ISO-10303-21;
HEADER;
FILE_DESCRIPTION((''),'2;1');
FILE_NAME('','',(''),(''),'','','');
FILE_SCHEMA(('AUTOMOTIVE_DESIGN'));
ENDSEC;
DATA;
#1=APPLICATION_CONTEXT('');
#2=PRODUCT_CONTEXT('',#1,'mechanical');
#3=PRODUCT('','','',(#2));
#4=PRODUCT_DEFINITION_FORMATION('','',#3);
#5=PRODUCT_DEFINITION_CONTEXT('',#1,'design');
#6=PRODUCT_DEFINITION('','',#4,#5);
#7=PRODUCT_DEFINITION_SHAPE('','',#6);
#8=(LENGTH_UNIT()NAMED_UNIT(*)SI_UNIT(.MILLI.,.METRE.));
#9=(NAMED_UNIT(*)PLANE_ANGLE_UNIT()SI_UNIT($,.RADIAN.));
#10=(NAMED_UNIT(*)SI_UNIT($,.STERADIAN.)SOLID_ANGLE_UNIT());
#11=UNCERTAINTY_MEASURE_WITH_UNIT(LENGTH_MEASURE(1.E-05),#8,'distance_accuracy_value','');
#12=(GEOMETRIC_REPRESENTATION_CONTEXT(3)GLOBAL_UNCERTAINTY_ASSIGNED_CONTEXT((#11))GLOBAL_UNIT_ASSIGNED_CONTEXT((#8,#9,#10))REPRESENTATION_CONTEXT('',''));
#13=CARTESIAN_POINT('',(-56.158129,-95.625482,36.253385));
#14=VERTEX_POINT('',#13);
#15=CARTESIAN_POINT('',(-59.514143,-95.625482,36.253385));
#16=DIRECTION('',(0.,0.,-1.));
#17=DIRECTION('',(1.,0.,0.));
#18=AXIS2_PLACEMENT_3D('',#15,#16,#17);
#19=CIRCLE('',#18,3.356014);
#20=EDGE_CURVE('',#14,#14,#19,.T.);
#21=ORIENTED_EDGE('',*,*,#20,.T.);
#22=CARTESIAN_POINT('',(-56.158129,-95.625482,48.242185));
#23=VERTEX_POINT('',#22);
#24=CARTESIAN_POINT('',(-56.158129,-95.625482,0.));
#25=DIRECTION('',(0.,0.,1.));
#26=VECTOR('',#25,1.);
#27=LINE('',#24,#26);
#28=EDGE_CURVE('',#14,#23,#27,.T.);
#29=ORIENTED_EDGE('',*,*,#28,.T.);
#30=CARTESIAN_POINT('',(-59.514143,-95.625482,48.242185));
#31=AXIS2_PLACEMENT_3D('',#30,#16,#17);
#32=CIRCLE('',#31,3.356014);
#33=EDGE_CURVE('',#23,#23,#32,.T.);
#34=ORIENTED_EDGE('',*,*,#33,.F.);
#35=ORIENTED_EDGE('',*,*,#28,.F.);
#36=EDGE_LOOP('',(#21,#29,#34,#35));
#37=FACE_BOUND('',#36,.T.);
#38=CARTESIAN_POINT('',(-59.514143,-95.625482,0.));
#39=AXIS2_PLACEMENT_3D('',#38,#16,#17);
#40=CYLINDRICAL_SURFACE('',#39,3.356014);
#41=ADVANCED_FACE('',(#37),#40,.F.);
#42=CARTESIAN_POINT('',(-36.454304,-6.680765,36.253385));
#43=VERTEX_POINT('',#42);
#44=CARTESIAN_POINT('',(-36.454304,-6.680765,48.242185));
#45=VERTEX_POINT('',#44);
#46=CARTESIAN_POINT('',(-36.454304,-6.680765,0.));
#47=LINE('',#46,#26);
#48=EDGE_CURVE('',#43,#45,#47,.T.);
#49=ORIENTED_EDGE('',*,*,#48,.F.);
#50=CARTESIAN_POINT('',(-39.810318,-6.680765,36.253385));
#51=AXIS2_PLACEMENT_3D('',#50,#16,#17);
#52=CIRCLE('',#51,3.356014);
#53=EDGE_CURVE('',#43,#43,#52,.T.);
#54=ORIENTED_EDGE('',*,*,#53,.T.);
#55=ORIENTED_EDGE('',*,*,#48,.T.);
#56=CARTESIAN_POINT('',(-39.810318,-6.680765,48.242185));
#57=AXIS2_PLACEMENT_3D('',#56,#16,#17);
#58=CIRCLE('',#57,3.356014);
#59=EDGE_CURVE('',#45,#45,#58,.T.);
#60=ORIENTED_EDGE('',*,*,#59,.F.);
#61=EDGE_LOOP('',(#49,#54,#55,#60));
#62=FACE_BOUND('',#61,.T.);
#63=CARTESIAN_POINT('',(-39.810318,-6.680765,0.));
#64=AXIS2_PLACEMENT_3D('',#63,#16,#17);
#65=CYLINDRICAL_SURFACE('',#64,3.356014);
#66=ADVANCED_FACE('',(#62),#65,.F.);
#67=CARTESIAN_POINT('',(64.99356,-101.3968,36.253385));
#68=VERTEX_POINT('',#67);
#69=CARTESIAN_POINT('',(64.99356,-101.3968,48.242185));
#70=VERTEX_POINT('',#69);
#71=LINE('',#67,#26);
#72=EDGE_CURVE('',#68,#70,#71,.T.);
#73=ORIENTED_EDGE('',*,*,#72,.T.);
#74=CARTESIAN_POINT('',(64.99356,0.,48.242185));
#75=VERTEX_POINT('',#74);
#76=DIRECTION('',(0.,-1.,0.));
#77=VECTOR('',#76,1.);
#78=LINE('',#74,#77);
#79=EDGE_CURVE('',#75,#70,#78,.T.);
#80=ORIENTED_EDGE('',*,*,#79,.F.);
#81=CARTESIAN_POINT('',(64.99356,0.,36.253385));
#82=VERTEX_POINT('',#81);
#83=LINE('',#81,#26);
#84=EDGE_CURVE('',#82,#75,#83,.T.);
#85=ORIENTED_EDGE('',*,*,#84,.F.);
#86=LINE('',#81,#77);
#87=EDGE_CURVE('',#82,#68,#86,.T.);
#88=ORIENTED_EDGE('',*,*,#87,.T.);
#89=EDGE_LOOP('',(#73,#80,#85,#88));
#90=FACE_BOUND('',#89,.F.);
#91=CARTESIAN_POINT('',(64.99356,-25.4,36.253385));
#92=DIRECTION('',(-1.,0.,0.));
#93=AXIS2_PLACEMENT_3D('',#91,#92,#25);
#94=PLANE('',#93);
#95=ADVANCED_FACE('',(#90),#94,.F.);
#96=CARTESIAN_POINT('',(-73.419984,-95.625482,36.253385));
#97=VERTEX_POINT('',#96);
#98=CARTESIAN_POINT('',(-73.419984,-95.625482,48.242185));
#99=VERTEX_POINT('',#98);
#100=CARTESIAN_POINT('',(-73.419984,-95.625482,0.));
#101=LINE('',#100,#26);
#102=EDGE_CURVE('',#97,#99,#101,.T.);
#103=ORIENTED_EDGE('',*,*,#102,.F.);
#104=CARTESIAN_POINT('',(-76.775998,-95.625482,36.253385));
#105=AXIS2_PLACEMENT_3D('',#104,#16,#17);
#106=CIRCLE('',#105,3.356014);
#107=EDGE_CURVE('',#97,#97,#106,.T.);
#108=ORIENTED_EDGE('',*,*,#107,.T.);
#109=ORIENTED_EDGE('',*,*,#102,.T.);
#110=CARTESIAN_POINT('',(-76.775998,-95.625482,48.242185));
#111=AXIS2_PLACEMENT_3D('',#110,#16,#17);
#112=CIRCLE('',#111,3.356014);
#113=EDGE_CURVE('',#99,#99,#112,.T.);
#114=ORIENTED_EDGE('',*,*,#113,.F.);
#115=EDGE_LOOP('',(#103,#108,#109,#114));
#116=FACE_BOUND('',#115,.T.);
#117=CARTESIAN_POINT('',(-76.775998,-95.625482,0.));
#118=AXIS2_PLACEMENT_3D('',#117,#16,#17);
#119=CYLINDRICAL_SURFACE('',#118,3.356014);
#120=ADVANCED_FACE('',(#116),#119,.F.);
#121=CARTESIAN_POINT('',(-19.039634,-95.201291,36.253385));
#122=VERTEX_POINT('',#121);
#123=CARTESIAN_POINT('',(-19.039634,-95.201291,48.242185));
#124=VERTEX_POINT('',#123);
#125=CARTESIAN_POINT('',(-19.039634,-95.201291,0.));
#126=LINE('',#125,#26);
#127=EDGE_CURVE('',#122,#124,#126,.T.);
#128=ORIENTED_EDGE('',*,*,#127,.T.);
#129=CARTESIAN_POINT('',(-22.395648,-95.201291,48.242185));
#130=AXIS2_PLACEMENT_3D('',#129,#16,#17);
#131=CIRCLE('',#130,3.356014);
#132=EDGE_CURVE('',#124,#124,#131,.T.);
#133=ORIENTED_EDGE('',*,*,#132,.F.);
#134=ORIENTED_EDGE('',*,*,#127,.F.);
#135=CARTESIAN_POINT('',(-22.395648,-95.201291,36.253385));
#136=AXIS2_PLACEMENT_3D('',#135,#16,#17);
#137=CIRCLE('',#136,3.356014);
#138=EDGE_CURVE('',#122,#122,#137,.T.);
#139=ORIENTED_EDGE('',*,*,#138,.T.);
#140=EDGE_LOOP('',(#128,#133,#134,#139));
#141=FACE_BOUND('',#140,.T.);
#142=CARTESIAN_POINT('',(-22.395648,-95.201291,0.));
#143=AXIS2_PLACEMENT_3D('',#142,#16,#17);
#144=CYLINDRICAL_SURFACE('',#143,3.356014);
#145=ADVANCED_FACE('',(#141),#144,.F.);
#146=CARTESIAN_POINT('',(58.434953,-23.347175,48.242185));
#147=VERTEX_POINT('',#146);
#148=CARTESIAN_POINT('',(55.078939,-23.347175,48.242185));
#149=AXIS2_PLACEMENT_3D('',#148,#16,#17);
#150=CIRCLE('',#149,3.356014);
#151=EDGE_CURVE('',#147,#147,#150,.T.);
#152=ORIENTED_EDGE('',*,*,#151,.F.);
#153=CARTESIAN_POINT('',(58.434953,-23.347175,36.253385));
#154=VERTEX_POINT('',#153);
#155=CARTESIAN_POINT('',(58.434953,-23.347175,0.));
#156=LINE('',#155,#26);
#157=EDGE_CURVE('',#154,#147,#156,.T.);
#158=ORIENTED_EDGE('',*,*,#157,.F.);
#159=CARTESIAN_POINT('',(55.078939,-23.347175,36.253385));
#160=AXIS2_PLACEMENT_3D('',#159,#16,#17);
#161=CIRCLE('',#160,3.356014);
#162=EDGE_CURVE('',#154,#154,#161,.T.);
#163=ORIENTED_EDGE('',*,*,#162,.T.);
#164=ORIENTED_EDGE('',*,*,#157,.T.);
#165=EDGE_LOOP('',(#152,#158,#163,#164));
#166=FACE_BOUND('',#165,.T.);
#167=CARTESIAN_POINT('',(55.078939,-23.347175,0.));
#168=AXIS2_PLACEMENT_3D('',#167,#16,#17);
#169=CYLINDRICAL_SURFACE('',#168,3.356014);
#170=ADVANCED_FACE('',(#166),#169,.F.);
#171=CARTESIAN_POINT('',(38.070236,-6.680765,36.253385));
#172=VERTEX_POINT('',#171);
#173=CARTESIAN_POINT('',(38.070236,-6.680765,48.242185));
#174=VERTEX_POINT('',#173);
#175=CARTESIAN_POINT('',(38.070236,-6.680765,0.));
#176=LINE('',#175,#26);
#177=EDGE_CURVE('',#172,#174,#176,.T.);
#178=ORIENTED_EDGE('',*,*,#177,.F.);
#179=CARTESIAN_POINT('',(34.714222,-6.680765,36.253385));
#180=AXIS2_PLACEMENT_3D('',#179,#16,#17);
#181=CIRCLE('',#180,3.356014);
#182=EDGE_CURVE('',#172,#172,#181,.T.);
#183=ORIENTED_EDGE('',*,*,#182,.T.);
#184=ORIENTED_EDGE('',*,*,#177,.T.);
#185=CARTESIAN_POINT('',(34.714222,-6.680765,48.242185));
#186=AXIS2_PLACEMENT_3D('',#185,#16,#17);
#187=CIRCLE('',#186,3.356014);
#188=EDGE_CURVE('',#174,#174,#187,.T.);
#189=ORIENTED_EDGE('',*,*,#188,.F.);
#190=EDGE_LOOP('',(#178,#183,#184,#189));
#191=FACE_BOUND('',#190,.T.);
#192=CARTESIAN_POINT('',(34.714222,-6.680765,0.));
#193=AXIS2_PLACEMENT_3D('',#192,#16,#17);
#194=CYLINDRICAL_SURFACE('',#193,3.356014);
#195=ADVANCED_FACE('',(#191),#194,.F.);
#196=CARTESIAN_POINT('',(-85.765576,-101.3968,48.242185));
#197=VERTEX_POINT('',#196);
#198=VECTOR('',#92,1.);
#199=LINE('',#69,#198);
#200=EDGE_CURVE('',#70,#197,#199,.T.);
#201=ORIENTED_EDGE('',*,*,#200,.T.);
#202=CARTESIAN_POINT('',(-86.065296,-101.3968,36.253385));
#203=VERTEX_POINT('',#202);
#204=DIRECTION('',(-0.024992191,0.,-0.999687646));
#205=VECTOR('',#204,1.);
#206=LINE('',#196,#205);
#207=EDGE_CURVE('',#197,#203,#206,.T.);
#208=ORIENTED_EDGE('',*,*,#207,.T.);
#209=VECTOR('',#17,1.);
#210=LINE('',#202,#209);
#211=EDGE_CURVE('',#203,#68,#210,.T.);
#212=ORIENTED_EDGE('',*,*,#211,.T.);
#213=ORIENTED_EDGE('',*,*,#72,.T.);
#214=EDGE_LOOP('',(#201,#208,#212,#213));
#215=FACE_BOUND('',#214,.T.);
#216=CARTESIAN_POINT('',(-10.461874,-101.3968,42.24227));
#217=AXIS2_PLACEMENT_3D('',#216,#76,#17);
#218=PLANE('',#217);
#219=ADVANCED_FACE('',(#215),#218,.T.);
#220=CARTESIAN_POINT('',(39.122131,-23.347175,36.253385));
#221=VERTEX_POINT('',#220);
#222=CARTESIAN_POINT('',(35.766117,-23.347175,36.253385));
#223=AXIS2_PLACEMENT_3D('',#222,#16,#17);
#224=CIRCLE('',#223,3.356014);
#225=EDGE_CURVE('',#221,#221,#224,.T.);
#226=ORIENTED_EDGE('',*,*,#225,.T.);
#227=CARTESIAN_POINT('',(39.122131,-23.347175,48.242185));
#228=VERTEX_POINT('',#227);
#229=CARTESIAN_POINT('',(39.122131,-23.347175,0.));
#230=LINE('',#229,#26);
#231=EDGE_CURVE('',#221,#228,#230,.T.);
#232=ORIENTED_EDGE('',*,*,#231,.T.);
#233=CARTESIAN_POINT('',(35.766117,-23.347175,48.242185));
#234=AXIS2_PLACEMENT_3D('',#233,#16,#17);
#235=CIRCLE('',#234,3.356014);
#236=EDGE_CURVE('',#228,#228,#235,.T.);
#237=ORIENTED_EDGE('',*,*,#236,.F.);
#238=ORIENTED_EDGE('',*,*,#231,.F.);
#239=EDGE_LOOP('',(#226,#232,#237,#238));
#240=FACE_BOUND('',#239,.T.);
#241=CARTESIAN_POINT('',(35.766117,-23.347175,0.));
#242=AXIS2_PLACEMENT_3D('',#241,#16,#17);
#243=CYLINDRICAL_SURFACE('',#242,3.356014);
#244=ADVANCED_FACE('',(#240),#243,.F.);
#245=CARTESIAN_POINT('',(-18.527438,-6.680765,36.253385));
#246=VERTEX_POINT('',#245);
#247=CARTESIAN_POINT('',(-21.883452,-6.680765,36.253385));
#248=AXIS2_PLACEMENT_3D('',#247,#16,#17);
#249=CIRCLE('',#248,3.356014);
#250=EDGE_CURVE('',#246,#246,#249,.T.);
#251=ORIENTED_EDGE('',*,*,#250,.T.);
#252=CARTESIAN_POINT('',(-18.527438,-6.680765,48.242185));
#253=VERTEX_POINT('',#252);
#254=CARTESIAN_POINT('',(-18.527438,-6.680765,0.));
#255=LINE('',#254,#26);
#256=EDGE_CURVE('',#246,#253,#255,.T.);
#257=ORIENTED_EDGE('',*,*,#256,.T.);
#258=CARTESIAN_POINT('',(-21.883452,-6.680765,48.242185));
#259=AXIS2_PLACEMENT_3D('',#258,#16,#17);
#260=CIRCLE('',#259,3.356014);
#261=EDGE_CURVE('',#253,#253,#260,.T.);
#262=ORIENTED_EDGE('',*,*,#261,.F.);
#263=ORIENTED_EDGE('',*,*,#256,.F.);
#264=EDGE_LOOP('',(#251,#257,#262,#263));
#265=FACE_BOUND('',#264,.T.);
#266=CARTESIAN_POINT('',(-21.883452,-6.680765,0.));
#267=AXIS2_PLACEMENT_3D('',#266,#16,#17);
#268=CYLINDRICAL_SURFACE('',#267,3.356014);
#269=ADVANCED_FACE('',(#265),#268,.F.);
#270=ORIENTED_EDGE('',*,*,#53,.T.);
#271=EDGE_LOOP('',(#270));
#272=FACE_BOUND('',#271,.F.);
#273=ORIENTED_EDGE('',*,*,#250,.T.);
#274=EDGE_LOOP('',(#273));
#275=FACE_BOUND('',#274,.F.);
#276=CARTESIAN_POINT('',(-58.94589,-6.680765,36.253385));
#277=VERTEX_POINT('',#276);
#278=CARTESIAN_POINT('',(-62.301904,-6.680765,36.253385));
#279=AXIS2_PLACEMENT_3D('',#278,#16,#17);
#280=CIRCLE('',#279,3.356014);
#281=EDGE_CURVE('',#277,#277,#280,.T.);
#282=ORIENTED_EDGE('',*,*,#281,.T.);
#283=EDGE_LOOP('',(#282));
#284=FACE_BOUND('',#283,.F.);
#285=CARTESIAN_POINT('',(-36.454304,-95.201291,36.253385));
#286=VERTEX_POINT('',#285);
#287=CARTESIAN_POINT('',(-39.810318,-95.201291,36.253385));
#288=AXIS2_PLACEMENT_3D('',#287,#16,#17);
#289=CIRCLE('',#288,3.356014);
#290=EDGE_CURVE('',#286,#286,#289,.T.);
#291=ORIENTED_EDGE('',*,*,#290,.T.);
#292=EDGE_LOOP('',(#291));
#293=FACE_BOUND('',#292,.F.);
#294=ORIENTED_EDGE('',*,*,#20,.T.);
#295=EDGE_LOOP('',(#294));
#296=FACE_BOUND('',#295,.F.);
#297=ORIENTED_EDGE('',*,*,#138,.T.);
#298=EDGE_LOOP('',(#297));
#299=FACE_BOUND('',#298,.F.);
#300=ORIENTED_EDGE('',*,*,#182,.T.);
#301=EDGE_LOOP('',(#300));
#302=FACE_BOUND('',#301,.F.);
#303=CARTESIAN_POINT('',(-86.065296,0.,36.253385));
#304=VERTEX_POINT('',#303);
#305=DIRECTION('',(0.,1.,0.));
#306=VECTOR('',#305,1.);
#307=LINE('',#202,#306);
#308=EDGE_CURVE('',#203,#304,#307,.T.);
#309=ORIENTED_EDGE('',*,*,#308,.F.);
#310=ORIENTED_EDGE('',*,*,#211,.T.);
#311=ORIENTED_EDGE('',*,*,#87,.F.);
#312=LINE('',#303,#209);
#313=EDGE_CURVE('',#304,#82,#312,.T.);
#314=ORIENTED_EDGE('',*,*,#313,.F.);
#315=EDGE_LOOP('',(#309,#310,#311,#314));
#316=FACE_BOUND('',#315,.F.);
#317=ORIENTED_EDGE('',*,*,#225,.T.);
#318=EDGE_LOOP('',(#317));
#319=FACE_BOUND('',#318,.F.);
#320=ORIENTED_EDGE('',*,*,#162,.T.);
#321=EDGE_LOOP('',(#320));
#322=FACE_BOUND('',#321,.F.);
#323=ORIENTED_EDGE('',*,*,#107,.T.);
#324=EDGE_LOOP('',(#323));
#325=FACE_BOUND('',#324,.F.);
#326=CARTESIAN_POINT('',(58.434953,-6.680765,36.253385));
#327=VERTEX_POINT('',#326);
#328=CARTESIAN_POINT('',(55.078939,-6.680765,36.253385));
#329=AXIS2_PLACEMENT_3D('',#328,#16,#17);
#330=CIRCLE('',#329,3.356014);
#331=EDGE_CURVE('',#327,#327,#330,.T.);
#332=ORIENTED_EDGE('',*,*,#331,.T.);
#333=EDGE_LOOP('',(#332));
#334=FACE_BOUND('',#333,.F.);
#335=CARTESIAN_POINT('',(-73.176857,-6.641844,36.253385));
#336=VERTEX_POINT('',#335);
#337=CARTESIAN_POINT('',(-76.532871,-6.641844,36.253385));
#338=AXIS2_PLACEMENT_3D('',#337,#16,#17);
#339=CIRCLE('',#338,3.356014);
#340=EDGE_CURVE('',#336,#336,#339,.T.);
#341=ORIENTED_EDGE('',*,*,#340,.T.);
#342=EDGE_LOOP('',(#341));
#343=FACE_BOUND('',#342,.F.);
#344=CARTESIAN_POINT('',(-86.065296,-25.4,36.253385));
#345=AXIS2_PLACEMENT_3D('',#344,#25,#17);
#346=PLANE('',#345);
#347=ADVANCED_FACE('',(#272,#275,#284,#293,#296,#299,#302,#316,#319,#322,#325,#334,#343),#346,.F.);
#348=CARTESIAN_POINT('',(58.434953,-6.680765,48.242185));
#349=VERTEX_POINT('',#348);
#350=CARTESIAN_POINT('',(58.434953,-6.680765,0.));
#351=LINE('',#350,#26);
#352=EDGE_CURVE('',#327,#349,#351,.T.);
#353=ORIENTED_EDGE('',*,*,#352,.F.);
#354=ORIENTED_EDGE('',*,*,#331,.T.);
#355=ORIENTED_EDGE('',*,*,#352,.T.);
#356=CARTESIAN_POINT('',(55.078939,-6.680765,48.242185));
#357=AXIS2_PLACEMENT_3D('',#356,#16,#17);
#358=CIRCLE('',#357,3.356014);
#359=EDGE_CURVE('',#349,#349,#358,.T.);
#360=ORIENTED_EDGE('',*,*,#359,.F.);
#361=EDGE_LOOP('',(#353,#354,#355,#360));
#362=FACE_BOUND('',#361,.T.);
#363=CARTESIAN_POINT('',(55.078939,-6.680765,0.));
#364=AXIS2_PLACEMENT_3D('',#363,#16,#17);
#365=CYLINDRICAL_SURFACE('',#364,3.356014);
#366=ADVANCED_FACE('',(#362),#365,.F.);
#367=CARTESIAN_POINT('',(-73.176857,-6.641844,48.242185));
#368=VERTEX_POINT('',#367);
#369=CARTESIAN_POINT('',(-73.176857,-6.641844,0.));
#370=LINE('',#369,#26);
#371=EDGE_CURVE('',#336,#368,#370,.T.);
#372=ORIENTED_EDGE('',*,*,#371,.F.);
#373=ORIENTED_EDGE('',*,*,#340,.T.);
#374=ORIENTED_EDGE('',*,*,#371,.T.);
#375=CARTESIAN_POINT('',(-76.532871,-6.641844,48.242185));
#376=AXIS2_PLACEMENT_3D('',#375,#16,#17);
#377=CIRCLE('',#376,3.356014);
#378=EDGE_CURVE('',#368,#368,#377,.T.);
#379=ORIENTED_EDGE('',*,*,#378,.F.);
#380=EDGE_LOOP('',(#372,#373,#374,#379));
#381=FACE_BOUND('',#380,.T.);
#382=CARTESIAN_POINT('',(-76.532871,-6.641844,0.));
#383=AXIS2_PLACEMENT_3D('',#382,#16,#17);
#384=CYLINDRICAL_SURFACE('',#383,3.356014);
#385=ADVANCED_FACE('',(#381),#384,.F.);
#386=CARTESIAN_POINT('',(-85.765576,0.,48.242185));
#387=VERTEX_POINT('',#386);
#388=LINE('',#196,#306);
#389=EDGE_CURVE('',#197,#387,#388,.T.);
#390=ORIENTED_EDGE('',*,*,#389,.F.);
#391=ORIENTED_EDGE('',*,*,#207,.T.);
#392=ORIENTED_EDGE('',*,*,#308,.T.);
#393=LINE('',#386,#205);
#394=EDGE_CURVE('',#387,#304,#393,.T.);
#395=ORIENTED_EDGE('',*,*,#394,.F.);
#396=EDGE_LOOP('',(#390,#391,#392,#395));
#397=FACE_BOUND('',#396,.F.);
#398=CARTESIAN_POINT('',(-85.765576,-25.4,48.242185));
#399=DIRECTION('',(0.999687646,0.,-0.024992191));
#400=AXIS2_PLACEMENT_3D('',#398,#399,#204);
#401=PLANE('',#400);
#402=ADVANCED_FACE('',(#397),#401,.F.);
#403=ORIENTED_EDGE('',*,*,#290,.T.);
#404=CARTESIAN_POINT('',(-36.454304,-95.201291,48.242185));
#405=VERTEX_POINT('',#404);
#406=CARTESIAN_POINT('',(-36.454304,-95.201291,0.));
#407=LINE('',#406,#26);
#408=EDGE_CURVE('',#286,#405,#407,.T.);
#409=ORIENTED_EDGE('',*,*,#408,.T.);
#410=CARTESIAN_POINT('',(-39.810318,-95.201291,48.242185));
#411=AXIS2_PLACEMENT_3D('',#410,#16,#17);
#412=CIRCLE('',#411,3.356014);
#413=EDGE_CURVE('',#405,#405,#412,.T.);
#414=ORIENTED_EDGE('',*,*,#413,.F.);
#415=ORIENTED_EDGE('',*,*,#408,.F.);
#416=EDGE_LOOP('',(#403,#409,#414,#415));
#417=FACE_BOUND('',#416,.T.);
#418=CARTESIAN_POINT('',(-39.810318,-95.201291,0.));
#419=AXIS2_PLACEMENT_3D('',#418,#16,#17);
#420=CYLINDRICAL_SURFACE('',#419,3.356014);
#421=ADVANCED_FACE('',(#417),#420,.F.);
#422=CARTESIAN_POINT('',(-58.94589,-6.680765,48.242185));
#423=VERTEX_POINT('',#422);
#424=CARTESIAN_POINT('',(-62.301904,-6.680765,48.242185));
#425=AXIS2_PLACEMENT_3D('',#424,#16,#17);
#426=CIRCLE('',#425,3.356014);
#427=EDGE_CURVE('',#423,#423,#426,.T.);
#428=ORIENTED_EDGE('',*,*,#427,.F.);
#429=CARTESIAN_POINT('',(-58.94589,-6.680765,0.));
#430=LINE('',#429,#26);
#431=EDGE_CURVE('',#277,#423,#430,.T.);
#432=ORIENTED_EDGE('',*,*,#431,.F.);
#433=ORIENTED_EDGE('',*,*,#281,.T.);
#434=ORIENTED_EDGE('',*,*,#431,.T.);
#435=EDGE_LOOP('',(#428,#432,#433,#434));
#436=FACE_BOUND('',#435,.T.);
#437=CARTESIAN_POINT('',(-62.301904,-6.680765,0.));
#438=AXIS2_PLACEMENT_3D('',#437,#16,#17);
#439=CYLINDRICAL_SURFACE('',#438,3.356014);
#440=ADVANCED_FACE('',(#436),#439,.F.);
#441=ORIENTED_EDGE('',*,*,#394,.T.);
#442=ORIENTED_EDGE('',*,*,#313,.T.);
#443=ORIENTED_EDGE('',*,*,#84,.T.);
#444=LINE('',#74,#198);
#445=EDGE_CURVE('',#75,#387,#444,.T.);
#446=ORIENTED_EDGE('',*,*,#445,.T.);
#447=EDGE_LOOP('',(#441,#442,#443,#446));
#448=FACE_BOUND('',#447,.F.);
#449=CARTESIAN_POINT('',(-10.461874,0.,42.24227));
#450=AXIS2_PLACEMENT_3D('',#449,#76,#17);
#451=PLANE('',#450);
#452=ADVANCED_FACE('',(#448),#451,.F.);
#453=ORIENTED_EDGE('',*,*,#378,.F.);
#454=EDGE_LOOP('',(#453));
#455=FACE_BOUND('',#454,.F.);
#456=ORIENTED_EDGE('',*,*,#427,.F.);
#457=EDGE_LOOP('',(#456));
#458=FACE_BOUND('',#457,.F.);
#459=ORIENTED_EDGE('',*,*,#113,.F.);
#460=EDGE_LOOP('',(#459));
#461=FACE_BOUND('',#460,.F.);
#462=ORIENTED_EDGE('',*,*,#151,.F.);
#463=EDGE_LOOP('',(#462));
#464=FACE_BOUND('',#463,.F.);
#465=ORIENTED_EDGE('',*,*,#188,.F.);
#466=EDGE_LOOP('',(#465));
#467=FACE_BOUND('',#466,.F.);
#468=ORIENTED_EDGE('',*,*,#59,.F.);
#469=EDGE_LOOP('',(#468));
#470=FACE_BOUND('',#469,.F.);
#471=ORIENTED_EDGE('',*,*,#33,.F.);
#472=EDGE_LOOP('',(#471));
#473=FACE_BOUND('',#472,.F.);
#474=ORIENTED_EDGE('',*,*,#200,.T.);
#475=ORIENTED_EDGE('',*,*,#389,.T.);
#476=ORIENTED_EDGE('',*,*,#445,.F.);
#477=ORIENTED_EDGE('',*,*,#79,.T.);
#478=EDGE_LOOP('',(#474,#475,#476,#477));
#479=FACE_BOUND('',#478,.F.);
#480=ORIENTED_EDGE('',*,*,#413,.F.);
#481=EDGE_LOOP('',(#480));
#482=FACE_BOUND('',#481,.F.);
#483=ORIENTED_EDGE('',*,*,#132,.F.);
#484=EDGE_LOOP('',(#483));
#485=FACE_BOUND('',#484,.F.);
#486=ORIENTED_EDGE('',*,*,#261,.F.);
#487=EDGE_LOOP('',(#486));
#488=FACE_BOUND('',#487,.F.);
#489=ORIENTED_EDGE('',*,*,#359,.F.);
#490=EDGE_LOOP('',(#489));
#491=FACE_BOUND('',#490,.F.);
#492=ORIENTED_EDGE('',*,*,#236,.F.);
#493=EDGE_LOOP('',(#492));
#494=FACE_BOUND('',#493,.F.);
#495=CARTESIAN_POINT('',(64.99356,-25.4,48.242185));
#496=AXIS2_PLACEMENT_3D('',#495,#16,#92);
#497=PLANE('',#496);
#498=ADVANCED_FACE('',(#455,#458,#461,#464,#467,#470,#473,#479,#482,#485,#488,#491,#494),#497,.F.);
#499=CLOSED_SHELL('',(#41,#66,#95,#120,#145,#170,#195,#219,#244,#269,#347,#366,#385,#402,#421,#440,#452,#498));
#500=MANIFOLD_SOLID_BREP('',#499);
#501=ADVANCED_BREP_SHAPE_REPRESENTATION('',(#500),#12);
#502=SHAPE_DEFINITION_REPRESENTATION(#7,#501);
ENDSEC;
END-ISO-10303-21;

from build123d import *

# Parameters (mm, degrees)
F1_DEPTH = 25.4
F2_DEPTH = 75.9968
F3_R     = 3.356014
F4_DEPTH = 56.388


with BuildPart() as f1:
    # F0 (on Front) → F1 (new body)
    with BuildSketch(Plane.XZ):
        Polygon((64.99356, 48.242185), (-85.765576, 48.242185), (-86.065296, 36.253385), (64.99356, 36.253385), align=None)
    extrude(amount=F1_DEPTH)

    # F1_face (on face) → F2 (join)
    with BuildSketch(Plane(origin=(-10.460963, -25.4, 42.245801), x_dir=(1, 0, 0), z_dir=(0, -1, 0))):
        Polygon((-75.604333, -5.992416), (75.454523, -5.992416), (75.454523, 5.996384), (-75.304613, 5.996384), align=None)
    extrude(amount=F2_DEPTH)

    # F3 (on Top) → F4 (cut)
    with BuildSketch(Plane.XY):
        with Locations((-76.532871, -6.641844)):
            Circle(F3_R)
        with Locations((-62.301904, -6.680765)):
            Circle(F3_R)
        with Locations((-76.775998, -95.625482)):
            Circle(F3_R)
        with Locations((-59.514143, -95.625482)):
            Circle(F3_R)
        with Locations((-39.810318, -6.680765)):
            Circle(F3_R)
        with Locations((-21.883452, -6.680765)):
            Circle(F3_R)
        with Locations((-39.810318, -95.201291)):
            Circle(F3_R)
        with Locations((-22.395648, -95.201291)):
            Circle(F3_R)
        with Locations((34.714222, -6.680765)):
            Circle(F3_R)
        with Locations((55.078939, -6.680765)):
            Circle(F3_R)
        with Locations((55.078939, -23.347175)):
            Circle(F3_R)
        with Locations((35.766117, -23.347175)):
            Circle(F3_R)
    extrude(amount=F4_DEPTH, mode=Mode.SUBTRACT)


solid = f1.part
